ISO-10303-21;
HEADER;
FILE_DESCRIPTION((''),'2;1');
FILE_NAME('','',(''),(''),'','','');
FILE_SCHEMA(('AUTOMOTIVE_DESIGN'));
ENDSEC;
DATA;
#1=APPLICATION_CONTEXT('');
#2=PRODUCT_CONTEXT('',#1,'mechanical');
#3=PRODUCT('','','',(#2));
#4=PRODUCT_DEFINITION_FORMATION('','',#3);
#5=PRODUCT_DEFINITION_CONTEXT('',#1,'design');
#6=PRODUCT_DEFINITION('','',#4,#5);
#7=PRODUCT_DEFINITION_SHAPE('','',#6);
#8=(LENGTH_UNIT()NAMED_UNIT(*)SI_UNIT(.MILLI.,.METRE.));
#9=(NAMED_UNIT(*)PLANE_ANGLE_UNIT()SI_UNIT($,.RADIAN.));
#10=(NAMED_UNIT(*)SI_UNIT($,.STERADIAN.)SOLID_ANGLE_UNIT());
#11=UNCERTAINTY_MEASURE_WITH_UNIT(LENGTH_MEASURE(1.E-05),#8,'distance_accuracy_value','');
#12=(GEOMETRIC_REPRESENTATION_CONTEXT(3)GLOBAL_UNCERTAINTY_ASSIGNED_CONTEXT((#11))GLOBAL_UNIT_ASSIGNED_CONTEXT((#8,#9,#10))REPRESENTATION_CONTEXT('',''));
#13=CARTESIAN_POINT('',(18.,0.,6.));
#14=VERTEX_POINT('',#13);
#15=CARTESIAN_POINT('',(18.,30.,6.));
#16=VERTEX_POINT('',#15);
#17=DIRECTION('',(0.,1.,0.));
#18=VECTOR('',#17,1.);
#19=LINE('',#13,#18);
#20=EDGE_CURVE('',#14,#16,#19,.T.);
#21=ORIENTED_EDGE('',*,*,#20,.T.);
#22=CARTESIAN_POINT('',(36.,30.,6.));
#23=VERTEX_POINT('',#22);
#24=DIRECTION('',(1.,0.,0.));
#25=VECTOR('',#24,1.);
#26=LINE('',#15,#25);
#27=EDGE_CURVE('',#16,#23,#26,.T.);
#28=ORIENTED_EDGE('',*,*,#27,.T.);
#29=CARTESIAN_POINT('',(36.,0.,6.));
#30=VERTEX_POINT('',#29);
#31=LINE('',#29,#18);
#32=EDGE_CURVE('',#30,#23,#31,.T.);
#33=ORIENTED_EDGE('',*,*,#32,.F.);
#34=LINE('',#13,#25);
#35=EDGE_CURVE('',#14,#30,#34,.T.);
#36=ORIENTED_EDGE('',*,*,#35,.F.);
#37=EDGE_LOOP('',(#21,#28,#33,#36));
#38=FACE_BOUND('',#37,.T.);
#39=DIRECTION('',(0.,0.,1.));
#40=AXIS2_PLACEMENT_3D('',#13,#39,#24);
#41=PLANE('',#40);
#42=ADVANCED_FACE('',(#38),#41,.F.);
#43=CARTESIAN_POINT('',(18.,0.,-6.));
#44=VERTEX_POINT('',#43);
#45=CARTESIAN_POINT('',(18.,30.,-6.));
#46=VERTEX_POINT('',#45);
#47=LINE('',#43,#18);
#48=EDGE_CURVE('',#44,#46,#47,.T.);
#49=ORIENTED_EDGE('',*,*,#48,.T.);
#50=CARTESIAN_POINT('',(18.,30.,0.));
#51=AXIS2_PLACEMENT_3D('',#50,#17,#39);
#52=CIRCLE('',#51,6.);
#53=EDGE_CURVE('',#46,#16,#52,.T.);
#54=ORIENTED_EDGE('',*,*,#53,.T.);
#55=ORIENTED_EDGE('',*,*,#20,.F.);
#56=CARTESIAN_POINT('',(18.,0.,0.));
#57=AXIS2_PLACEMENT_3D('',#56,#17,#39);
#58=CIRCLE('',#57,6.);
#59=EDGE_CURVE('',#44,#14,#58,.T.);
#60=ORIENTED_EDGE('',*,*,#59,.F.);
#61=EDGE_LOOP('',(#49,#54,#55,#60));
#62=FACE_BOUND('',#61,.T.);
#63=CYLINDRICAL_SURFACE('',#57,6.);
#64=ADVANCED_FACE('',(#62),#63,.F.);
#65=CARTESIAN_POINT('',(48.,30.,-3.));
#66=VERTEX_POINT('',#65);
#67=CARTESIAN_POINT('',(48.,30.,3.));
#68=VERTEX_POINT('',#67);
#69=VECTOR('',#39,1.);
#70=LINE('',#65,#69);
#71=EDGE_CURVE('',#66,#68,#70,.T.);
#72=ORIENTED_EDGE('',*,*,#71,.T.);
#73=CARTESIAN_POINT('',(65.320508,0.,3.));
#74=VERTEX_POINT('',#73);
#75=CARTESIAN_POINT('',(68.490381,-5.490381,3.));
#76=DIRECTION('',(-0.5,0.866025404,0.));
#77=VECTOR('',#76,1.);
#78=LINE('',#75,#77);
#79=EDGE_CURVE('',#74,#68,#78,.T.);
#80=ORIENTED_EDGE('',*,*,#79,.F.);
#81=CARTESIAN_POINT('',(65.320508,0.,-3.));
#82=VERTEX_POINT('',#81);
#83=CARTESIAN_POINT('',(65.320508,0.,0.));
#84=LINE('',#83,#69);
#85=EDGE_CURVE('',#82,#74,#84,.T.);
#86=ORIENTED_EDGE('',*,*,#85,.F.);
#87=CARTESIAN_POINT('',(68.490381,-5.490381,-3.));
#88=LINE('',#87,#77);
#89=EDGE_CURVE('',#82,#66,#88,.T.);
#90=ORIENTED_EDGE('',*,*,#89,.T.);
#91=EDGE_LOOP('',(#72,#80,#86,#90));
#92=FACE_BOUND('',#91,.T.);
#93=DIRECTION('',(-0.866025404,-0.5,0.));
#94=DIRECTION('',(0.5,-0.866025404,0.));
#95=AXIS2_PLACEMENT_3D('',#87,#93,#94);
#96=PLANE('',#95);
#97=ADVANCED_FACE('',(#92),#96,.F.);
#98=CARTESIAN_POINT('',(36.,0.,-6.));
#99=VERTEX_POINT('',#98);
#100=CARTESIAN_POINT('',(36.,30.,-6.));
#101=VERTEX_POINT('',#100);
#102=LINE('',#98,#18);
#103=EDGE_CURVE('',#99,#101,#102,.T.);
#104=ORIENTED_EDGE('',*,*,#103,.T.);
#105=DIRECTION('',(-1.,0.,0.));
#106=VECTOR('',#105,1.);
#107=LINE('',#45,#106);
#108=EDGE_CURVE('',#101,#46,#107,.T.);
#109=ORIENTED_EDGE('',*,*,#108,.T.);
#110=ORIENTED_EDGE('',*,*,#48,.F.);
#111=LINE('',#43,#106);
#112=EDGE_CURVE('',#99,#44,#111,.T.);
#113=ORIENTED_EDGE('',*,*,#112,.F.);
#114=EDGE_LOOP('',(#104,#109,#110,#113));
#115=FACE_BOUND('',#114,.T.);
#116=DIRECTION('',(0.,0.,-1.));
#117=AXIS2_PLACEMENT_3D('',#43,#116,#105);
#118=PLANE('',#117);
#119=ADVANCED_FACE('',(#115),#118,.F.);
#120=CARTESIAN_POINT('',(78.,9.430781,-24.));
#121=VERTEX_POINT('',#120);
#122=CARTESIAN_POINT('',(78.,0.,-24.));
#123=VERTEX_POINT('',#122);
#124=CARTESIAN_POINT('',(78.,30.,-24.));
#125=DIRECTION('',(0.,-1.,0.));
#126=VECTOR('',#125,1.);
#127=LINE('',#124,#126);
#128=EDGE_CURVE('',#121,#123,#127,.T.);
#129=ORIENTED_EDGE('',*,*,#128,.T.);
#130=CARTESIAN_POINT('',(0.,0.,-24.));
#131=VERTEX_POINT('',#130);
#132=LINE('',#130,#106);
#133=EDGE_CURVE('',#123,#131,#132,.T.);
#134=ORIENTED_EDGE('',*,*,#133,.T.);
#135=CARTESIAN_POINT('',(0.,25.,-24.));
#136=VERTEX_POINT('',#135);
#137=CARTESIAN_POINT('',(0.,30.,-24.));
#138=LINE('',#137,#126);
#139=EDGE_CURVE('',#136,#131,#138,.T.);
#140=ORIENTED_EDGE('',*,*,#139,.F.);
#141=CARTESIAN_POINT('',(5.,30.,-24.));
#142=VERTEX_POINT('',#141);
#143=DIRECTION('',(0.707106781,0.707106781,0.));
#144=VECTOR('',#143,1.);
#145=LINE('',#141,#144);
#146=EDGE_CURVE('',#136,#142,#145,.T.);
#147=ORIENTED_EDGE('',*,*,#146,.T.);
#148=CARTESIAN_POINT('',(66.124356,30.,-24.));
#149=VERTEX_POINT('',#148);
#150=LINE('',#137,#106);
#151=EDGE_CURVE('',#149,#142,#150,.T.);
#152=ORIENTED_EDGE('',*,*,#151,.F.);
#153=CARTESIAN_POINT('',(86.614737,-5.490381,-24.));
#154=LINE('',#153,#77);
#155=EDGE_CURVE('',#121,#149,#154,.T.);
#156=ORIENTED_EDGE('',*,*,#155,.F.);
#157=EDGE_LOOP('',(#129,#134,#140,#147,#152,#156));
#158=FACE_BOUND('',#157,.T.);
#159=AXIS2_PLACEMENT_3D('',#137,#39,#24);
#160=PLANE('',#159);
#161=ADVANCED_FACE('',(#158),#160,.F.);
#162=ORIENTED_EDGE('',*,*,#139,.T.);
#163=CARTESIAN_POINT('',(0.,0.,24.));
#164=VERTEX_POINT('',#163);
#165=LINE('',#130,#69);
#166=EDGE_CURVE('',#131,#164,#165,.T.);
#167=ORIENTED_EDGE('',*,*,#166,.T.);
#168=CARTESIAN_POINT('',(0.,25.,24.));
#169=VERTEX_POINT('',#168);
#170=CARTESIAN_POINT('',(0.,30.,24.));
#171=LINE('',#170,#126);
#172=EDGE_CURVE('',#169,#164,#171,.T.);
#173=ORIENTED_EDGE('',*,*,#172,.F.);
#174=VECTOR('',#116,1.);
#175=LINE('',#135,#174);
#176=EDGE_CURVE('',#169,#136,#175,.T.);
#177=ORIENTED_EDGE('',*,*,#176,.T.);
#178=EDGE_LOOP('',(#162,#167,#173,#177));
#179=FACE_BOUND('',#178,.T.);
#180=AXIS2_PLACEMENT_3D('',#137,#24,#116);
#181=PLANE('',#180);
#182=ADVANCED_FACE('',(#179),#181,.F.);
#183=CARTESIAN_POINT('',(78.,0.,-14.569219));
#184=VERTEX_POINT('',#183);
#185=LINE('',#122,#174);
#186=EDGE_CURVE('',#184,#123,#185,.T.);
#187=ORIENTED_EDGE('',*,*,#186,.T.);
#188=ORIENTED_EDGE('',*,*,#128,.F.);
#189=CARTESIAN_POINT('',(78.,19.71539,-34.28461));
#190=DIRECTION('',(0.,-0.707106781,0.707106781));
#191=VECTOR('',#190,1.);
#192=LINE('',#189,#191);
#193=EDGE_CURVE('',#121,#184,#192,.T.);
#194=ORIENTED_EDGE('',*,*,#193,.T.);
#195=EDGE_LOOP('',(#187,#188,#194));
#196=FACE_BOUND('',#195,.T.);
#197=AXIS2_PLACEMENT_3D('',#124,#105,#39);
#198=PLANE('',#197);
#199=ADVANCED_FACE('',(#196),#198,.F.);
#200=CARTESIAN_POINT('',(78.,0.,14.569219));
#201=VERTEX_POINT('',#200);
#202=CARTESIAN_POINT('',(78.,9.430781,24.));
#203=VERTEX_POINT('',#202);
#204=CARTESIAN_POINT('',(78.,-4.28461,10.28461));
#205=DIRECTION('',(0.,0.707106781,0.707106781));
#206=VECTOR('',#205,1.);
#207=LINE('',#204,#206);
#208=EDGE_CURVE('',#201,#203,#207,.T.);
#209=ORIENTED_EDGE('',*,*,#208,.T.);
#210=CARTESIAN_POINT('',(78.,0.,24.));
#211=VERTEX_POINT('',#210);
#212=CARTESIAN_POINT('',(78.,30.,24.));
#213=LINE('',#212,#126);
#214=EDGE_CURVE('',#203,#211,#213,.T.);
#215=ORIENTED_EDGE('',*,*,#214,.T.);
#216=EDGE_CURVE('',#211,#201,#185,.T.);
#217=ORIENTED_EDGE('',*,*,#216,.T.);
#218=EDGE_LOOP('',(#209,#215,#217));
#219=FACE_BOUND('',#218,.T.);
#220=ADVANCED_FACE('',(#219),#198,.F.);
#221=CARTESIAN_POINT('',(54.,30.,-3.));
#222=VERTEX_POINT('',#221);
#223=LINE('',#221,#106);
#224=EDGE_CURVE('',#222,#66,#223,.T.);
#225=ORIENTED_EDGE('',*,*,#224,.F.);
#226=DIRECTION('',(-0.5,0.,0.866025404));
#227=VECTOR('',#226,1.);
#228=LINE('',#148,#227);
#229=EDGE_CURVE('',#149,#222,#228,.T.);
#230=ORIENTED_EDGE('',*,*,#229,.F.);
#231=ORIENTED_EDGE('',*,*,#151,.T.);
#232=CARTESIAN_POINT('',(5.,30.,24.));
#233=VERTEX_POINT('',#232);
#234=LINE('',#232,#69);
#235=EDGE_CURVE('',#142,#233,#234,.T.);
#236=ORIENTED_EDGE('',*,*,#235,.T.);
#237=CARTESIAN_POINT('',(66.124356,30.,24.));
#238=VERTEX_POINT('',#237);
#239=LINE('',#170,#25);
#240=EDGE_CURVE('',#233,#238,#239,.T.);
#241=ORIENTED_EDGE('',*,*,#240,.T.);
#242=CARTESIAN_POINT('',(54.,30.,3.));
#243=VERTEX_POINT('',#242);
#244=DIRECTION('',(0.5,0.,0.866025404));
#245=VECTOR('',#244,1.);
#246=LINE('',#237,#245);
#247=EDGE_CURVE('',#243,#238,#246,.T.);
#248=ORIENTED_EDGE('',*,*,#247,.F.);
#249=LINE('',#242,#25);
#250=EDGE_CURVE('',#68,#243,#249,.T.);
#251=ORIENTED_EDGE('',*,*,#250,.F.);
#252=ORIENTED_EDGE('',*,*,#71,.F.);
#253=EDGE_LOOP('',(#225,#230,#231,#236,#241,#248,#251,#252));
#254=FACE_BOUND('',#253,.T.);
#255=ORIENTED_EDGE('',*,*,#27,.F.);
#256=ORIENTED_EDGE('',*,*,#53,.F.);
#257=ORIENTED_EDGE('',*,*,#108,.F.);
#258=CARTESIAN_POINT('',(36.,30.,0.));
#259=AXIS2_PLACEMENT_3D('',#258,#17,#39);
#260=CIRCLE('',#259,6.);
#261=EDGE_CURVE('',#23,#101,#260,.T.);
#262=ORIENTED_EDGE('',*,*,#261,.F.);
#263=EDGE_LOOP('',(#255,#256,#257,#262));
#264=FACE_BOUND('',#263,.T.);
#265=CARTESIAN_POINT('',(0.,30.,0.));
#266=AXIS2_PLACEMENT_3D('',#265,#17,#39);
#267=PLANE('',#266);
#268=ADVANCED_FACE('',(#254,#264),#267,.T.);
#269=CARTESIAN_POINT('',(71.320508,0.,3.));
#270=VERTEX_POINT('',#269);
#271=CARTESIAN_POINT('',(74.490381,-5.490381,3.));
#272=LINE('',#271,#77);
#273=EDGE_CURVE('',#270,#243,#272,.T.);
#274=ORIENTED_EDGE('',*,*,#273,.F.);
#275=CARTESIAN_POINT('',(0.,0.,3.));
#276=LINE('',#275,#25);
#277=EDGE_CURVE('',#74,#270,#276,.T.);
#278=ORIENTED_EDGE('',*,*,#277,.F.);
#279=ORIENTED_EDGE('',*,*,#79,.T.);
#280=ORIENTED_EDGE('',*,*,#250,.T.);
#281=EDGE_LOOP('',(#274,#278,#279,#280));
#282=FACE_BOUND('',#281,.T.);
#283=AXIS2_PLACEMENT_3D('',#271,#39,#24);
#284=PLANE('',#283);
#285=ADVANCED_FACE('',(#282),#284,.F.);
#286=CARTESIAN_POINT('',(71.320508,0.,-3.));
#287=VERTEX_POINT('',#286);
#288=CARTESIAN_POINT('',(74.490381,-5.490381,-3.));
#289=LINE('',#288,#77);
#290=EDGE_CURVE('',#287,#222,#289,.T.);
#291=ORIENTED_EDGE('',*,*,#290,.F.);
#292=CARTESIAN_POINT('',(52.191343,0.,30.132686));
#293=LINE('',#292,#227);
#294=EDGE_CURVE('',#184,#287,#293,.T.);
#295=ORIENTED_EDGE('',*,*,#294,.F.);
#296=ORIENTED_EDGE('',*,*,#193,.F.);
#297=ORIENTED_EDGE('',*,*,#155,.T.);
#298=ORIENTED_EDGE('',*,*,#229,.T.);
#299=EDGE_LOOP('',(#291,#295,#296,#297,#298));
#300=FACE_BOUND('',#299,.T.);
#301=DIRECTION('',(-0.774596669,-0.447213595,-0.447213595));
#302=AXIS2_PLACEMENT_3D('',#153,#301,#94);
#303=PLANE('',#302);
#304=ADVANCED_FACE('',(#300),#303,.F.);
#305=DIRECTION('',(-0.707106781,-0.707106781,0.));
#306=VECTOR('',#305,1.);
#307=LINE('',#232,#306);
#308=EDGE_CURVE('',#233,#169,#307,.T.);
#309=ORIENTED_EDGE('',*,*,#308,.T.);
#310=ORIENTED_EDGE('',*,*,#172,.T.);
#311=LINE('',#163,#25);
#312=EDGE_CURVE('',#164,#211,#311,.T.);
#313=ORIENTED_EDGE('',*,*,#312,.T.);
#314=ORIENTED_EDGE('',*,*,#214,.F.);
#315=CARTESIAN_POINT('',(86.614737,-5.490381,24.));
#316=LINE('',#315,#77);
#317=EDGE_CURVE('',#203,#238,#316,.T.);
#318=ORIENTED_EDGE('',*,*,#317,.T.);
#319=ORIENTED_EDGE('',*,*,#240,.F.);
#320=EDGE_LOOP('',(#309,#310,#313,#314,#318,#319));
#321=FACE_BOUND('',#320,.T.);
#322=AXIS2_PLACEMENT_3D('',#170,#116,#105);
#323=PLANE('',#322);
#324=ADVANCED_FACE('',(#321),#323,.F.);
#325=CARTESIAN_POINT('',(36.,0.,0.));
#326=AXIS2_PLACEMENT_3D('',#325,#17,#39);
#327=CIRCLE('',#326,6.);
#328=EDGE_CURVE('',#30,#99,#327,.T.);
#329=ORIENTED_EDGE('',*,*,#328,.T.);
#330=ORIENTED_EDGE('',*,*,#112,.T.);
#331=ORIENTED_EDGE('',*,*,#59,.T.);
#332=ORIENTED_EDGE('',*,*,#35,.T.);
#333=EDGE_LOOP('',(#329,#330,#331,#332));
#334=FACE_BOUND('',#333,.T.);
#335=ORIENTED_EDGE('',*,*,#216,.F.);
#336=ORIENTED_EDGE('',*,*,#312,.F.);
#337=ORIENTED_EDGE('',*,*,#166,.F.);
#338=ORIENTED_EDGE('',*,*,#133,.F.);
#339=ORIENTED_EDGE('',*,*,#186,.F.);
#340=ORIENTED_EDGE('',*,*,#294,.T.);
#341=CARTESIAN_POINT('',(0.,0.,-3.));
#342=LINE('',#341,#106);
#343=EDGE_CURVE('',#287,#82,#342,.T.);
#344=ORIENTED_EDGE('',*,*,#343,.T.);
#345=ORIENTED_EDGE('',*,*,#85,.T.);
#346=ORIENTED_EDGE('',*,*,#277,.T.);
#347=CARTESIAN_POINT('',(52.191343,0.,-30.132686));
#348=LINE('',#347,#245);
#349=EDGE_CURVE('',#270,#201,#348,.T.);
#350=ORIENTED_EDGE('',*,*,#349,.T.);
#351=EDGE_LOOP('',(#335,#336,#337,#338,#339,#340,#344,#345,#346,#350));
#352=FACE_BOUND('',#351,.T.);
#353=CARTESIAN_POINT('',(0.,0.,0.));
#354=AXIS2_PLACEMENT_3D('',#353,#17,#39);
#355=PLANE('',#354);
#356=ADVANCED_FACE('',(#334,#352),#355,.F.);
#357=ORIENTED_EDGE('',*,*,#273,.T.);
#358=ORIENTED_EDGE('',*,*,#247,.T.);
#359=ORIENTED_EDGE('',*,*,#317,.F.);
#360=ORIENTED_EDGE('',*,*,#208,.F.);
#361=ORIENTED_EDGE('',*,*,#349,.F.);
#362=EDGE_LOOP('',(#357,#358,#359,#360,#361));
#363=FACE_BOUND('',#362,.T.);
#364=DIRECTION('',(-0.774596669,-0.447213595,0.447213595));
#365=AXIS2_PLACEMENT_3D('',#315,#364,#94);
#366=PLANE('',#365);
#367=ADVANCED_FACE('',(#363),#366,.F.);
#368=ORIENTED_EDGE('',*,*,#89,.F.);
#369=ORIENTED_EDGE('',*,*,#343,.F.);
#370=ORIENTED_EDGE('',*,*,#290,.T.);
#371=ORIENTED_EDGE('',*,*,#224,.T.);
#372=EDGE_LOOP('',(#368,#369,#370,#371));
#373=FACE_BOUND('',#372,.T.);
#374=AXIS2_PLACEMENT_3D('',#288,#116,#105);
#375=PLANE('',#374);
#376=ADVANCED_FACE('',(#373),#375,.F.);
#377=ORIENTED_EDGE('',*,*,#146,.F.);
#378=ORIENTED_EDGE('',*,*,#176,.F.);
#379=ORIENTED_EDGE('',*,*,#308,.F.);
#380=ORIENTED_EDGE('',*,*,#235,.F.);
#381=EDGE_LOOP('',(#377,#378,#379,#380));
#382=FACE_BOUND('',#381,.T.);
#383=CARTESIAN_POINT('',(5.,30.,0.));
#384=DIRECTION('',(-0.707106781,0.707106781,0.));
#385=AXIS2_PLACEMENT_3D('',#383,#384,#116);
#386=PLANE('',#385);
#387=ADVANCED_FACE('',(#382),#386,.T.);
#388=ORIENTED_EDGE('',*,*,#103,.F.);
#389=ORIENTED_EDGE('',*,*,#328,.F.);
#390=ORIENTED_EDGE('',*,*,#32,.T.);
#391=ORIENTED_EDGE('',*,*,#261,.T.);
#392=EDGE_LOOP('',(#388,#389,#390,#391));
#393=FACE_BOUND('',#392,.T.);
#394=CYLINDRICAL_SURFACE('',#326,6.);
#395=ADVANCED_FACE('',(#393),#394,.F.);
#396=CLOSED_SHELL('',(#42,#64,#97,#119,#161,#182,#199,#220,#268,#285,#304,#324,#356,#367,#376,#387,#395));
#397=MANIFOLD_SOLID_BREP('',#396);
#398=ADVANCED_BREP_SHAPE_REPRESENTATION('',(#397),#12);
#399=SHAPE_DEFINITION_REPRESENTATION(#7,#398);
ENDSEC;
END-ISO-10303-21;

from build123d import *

# Parameters (mm, degrees)
SKETCH1_W           = 78
SKETCH1_H           = 48
BOSS_EXTRUDE1_DEPTH = 30
CHAMFER1_SIZE       = 5
CUT_EXTRUDE1_DEPTH  = 87.948260477
CUT_EXTRUDE2_DEPTH  = 101.553903722


with BuildPart() as part:
    # Sketch1 → Boss-Extrude1 (new body)
    with BuildSketch(Plane(origin=(0, 0, 0), x_dir=(1, 0, 0), z_dir=(0, 1, 0))):
        with Locations((39, 0)):
            Rectangle(SKETCH1_W, SKETCH1_H)
    extrude(amount=BOSS_EXTRUDE1_DEPTH)

    # Chamfer1
    chamfer1_edges = [part.edges().sort_by_distance(p)[0] for p in [
        (0, 30, 0),
    ]]
    chamfer(chamfer1_edges, length=CHAMFER1_SIZE)

    # Sketch2 → Cut-Extrude1 (cut, through all)
    with BuildSketch(Plane(origin=(0, 30, 0), x_dir=(1, 0, 0), z_dir=(0, 1, 0))):
        with BuildLine():
            Line((18, 6), (36, 6))
            ThreePointArc((36, 6), (42, 0), (36, -6))
            Line((36, -6), (18, -6))
            ThreePointArc((18, -6), (12, 0), (18, 6))
        make_face()
    extrude(amount=-CUT_EXTRUDE1_DEPTH, mode=Mode.SUBTRACT)

    # Sketch3 → Cut-Extrude2 (cut, through all, along a direction that is not the sketch's normal)
    with BuildSketch(Plane(origin=(0, 30, 0), x_dir=(1, 0, 0), z_dir=(0, 1, 0))):
        Polygon((78, 24), (66.124355653, 24), (54, 3), (48, 3), (48, -3), (54, -3), (66.124355653, -24), (78, -24), align=None)
    extrude(amount=-CUT_EXTRUDE2_DEPTH, dir=(-0.5000000000000044, 0.8660254037844362, 0), mode=Mode.SUBTRACT)


solid = part.part
